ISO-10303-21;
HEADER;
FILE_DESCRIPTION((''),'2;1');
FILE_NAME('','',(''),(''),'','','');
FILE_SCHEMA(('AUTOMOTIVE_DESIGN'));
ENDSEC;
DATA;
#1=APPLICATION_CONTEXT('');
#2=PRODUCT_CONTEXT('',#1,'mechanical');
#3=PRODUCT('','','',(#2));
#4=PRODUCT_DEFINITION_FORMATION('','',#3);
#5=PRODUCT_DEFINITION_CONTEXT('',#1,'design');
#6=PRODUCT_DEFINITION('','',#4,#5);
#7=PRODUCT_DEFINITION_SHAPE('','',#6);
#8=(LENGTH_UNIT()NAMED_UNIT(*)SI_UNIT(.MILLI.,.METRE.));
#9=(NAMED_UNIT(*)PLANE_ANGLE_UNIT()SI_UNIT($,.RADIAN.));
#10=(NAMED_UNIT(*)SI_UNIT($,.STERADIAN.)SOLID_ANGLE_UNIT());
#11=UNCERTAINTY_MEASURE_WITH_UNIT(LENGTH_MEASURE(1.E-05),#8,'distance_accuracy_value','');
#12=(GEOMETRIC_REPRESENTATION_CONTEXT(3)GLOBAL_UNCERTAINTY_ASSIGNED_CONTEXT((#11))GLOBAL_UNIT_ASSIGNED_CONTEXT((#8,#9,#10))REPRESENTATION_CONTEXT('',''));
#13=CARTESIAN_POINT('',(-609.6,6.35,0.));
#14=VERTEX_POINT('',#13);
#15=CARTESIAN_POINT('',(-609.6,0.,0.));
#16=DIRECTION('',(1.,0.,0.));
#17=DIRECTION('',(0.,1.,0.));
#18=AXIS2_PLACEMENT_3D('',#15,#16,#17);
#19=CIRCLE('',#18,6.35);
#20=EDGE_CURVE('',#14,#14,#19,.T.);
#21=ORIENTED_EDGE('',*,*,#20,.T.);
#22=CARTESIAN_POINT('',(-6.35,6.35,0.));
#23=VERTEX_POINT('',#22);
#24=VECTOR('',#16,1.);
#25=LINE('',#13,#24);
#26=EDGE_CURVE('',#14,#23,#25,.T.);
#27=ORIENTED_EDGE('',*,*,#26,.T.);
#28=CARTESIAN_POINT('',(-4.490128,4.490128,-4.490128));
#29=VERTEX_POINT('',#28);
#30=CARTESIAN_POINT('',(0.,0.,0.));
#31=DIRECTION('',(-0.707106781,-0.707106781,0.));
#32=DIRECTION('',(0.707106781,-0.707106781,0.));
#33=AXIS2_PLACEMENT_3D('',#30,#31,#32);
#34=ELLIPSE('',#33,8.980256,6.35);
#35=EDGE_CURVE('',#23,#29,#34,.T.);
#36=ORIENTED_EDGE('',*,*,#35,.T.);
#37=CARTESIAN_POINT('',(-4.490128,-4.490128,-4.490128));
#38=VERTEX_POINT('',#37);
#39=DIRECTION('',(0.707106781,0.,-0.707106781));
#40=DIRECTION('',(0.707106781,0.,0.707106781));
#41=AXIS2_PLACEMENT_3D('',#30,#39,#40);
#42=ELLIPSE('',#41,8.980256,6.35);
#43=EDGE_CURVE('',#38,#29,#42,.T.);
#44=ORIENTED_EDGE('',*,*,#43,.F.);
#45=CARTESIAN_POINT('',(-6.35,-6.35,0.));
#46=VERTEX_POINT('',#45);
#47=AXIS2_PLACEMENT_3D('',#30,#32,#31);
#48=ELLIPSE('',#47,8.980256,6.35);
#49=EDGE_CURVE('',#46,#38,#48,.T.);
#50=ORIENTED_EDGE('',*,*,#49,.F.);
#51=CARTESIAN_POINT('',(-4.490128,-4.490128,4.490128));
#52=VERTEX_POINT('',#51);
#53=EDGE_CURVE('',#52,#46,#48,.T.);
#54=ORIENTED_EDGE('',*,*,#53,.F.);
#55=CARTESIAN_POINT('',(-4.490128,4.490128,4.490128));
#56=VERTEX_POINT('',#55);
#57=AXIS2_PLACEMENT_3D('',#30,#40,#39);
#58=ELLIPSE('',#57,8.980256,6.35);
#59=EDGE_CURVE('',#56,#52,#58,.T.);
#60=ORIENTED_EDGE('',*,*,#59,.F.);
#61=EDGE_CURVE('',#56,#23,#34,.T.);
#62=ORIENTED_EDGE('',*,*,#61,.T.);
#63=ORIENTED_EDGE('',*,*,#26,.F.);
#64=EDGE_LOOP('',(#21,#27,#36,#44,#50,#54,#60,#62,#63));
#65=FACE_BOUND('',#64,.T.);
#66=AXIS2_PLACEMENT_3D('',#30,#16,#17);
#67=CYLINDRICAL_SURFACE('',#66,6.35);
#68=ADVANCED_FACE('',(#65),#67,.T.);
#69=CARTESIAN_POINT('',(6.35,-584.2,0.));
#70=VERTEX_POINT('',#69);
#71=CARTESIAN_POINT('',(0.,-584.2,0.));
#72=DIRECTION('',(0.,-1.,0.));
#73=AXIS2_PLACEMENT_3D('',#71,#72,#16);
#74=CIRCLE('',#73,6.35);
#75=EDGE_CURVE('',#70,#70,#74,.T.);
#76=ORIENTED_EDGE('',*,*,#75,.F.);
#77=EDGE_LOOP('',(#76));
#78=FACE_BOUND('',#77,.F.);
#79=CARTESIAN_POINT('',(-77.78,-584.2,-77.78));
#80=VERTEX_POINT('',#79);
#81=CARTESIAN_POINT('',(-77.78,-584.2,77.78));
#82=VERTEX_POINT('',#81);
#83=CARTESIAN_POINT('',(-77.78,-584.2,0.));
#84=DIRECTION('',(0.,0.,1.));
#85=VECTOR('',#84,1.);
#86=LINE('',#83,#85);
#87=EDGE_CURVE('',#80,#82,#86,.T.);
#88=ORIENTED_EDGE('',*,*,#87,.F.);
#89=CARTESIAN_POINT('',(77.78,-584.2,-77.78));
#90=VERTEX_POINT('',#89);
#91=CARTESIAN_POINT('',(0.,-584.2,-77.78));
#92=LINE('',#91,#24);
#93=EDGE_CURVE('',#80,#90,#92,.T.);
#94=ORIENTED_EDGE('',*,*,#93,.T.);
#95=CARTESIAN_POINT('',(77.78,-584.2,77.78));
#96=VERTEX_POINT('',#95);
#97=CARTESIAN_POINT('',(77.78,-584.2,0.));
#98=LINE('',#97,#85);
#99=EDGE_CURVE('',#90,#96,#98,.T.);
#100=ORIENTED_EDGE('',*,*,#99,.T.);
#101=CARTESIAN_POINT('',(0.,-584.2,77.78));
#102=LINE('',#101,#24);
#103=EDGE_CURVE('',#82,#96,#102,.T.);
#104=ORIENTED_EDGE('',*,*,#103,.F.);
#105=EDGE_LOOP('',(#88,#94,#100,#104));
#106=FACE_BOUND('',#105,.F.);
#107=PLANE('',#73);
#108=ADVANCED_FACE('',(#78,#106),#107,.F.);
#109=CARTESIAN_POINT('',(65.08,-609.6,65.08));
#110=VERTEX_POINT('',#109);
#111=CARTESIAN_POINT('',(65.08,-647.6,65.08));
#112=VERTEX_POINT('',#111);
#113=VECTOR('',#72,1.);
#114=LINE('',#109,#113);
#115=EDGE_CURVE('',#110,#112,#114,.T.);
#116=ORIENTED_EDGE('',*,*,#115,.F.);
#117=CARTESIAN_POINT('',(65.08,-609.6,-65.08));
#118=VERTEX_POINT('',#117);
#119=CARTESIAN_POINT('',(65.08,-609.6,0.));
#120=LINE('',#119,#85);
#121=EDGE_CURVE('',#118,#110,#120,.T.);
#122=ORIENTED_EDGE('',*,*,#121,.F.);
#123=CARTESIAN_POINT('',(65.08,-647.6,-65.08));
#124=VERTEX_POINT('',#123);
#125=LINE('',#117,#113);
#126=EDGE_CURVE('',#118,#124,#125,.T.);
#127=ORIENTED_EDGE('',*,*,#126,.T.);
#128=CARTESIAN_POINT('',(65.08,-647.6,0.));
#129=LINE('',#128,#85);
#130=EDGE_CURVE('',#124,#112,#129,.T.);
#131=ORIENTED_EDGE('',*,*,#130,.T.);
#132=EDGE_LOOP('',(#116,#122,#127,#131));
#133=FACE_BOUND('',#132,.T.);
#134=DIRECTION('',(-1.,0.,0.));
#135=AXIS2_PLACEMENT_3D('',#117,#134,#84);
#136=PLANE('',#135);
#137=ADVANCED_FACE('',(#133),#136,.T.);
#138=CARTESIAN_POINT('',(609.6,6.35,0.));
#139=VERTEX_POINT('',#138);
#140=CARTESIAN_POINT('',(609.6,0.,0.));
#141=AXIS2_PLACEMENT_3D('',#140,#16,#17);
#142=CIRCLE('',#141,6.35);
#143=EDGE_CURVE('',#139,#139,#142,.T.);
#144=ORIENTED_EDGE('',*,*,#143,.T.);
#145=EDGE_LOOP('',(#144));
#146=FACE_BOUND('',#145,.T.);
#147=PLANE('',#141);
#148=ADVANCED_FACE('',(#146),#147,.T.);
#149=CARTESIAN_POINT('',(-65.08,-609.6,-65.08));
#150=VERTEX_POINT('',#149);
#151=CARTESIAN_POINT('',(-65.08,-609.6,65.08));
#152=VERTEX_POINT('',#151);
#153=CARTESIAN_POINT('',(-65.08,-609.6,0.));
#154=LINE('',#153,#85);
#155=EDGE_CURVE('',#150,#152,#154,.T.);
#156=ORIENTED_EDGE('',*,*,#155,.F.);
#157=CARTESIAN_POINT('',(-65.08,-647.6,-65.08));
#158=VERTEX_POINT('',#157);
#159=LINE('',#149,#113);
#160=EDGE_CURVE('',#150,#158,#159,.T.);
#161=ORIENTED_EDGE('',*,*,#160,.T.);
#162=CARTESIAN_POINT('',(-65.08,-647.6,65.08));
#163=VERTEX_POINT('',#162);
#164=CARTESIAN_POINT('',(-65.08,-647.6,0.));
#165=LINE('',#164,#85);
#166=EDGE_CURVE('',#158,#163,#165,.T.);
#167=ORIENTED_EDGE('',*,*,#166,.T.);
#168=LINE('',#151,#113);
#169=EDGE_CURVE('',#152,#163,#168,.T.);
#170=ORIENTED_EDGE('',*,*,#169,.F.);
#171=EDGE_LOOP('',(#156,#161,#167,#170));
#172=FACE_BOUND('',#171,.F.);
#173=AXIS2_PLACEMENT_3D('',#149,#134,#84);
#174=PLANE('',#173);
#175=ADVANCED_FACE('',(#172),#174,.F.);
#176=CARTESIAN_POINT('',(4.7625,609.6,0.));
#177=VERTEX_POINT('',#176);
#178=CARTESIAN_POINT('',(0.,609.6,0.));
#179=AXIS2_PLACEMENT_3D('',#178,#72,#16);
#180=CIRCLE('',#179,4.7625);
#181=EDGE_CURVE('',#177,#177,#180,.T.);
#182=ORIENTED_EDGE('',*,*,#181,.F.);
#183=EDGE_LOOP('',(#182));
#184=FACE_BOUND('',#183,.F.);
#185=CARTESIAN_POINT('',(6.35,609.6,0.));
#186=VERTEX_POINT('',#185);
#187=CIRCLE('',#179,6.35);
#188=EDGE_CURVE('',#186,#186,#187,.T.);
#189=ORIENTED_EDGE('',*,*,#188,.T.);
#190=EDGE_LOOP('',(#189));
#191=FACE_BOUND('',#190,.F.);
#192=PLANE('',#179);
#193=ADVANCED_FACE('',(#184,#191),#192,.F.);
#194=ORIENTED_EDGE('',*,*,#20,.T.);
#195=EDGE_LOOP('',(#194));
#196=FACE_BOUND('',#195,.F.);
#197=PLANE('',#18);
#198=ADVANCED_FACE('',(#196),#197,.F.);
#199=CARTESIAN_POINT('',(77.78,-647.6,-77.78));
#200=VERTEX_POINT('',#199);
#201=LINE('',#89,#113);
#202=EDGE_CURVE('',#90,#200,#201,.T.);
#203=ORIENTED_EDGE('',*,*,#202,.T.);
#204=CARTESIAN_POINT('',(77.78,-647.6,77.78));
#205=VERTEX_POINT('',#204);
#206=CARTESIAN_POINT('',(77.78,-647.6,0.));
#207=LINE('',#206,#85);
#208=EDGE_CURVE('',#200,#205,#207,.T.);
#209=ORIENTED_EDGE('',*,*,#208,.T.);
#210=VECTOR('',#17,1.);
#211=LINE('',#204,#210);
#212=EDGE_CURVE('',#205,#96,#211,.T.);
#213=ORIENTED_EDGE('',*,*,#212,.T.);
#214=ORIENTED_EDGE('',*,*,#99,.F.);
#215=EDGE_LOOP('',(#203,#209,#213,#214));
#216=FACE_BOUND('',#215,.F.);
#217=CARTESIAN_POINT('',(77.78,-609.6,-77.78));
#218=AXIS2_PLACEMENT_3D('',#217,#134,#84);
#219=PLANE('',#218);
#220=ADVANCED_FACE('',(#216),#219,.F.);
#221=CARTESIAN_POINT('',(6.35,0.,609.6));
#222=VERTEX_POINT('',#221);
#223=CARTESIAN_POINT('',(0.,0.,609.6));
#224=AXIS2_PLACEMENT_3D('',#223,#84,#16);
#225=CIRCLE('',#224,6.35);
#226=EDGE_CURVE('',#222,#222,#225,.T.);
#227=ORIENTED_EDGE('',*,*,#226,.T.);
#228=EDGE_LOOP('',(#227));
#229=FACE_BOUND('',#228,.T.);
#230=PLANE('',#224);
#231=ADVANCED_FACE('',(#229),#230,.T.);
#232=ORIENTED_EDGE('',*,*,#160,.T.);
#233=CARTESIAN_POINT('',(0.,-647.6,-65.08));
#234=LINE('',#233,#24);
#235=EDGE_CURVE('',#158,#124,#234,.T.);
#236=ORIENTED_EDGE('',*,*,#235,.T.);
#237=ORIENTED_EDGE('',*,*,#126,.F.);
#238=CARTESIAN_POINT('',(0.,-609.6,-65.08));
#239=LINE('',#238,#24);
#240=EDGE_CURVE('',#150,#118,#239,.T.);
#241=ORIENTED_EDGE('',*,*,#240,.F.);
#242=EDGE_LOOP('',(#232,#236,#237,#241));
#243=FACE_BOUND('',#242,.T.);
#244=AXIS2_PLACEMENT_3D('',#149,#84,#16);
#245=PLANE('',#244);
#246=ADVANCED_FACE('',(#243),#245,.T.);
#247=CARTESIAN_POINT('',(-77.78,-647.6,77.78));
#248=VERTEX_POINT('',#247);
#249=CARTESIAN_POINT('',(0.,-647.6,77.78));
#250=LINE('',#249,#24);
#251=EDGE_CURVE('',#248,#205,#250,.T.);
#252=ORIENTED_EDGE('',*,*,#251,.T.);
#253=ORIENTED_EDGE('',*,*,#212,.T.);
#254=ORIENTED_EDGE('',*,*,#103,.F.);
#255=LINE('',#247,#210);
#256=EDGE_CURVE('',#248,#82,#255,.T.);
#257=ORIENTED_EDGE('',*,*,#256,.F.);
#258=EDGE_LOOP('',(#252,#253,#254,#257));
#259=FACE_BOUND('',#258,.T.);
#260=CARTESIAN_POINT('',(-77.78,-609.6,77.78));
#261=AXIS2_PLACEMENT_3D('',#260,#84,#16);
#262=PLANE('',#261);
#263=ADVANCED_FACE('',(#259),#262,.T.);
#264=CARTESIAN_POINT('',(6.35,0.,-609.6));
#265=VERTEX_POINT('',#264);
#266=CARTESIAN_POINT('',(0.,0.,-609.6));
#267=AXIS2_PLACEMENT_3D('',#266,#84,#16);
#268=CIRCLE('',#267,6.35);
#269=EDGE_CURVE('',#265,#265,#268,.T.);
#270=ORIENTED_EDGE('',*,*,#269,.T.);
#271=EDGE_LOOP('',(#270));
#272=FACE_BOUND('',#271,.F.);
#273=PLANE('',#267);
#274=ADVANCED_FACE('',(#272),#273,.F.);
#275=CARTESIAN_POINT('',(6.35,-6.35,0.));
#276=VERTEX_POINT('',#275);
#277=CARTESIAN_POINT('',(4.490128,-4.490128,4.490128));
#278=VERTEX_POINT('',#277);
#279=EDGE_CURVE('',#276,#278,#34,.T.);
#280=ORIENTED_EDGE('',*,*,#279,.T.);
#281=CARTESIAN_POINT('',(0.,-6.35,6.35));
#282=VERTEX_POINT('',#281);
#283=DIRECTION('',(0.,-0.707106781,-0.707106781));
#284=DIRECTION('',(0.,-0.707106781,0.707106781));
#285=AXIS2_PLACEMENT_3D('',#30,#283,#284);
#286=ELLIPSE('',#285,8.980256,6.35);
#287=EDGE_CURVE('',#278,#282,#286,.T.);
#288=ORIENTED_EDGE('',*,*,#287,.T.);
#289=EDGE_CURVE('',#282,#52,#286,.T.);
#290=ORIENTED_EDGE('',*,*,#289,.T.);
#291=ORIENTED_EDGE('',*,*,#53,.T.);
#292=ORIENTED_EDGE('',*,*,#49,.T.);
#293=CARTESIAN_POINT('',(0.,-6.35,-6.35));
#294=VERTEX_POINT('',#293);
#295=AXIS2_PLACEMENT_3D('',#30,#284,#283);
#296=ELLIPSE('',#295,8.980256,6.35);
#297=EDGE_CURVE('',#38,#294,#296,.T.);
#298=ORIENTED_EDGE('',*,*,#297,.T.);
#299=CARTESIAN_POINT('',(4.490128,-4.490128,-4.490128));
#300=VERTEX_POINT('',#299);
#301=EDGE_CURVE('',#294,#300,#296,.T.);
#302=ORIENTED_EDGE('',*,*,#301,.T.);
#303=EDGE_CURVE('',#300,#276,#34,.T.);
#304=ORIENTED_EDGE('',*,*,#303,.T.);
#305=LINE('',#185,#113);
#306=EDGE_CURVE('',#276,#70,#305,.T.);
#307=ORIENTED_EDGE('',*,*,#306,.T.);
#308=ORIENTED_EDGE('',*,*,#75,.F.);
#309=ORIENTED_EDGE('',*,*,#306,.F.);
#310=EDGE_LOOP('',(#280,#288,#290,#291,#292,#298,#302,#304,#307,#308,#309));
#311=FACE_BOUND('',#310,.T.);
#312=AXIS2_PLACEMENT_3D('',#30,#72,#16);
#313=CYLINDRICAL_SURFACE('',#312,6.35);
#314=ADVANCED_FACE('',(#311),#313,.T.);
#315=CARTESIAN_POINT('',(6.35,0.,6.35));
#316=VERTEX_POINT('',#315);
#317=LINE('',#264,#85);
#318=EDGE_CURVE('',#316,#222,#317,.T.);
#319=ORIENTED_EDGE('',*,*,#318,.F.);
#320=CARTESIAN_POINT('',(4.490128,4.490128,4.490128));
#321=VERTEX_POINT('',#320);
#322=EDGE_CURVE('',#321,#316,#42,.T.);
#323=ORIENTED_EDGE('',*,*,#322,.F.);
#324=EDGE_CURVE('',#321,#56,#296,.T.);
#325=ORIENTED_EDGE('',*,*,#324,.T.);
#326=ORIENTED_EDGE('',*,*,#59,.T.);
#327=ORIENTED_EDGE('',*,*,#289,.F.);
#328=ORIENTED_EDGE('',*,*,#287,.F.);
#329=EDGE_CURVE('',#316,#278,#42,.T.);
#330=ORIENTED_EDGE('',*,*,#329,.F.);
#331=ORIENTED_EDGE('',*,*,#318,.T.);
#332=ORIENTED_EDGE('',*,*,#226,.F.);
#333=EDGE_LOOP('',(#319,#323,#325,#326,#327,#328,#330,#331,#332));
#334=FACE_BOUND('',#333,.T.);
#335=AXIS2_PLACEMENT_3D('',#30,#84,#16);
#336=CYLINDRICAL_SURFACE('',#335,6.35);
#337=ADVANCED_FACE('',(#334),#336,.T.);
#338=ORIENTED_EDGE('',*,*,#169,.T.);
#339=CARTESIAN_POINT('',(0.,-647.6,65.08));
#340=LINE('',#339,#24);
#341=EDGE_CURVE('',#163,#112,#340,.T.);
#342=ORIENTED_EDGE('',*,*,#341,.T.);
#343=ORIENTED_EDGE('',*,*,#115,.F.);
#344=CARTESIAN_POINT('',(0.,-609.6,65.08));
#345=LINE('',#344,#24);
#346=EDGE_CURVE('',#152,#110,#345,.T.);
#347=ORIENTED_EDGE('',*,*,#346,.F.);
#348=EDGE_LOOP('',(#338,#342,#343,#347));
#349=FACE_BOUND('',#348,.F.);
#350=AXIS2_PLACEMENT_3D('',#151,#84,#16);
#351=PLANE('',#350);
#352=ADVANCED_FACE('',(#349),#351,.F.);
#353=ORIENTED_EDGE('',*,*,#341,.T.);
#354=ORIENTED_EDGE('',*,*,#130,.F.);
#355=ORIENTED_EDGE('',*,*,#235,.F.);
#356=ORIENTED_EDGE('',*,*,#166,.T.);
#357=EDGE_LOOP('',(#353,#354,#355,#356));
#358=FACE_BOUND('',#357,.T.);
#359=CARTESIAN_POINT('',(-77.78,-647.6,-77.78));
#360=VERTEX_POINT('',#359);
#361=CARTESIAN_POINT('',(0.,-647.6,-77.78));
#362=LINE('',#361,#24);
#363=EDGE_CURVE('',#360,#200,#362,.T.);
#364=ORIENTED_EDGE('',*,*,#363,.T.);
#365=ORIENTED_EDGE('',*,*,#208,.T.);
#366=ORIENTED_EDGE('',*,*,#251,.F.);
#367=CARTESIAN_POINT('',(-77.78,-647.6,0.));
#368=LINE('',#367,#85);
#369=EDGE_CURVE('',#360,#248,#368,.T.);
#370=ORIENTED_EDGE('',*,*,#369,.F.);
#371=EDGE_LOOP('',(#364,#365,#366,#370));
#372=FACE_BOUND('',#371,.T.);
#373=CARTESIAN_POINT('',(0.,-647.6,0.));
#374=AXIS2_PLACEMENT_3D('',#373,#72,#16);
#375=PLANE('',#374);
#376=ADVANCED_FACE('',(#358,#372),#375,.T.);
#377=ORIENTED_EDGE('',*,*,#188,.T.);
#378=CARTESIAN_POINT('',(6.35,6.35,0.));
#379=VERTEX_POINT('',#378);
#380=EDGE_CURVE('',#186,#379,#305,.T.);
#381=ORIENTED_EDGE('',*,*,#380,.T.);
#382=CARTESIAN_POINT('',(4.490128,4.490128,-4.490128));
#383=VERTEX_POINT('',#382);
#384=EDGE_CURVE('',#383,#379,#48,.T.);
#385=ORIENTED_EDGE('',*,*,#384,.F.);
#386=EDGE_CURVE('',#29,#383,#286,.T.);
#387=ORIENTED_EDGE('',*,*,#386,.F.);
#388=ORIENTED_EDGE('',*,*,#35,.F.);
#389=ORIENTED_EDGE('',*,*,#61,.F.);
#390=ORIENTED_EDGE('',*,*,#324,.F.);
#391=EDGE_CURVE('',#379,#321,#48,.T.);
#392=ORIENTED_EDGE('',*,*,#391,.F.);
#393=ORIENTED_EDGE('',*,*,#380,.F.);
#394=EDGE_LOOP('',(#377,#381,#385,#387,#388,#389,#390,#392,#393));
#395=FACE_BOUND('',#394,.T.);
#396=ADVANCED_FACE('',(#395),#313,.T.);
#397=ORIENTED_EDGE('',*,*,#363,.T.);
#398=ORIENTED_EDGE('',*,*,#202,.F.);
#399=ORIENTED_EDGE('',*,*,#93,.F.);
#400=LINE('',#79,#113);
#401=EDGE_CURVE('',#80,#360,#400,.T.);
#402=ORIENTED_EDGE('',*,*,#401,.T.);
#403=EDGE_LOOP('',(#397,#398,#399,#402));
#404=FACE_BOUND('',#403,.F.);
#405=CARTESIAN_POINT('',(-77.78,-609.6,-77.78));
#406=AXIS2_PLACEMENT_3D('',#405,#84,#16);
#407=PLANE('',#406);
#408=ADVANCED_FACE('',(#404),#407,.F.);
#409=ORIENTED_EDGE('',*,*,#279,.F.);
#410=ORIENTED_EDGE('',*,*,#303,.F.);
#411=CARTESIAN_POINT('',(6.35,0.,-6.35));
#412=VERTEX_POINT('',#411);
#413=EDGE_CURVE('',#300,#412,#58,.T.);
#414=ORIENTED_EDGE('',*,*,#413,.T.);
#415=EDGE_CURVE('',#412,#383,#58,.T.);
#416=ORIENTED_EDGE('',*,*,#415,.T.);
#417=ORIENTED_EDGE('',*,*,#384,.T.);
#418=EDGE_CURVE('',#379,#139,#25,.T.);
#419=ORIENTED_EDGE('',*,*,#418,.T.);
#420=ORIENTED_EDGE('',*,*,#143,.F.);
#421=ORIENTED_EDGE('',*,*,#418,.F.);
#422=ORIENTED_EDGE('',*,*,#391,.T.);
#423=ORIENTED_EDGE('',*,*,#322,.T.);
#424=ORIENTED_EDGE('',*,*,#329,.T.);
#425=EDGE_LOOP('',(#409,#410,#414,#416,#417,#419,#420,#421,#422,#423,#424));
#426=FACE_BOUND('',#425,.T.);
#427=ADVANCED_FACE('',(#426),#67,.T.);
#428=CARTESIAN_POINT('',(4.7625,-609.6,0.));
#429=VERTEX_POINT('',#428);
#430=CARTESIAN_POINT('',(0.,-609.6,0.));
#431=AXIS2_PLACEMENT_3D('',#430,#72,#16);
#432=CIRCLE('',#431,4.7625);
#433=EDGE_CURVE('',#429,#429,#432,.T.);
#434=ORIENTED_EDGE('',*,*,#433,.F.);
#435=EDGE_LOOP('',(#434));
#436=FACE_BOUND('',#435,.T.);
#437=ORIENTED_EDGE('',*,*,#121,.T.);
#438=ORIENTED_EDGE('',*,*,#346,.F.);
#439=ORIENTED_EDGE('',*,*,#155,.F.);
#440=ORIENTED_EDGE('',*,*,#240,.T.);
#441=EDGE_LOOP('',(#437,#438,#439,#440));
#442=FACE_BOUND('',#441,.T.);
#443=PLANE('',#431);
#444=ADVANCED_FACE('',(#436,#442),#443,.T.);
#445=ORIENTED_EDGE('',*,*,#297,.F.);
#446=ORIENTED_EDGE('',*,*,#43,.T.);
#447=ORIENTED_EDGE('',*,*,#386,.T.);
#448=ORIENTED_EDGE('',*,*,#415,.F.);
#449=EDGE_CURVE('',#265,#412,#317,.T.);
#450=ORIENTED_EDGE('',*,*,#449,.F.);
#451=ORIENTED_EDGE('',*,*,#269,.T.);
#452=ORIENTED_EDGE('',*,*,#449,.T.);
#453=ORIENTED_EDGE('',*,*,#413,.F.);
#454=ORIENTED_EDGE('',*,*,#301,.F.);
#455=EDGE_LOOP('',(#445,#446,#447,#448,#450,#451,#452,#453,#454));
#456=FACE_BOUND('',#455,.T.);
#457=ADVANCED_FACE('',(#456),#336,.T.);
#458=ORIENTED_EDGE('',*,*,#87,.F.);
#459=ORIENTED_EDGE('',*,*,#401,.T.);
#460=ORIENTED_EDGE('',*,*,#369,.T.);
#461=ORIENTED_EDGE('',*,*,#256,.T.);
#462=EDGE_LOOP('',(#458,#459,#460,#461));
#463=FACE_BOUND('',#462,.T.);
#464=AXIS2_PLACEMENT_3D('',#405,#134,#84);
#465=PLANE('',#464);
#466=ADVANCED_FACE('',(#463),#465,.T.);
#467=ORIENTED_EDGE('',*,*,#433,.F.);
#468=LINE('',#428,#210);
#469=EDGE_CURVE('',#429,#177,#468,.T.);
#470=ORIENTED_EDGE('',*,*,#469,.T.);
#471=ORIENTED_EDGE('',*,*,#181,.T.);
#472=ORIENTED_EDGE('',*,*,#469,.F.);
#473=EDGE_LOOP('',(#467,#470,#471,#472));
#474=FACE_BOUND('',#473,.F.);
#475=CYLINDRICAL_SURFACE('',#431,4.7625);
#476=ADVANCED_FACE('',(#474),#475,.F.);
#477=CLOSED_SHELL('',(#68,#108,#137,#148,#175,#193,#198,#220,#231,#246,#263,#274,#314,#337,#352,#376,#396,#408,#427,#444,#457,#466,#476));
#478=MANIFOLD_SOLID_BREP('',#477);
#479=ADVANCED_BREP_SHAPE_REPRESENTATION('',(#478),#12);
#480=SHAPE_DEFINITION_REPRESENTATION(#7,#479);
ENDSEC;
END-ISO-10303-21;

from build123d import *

# Parameters (mm, degrees)
F2_R      = 6.35
F4_DEPTH  = 609.6
F3_R      = 6.35
F5_DEPTH  = 609.6
F1_R      = 6.35
F6_DEPTH  = 609.6
F7_W      = 155.56
F7_H      = 155.56
F8_DEPTH  = 25.4
F9_W      = 155.56
F9_H      = 155.56
F9_W_2    = 130.16
F9_H_2    = 130.16
F11_DEPTH = 38
F12_R     = 4.7625
F13_DEPTH = 1219.2


with BuildPart() as f4:
    # F2 (on Front) → F4 (new body, symmetric)
    with BuildSketch(Plane.XZ):
        Circle(F2_R)
    extrude(amount=F4_DEPTH, both=True)

    # F3 (on Right) → F5 (join, symmetric)
    with BuildSketch(Plane.YZ):
        Circle(F3_R)
    extrude(amount=F5_DEPTH, both=True)

    # F1 (on Top) → F6 (join, symmetric)
    with BuildSketch(Plane.XY):
        Circle(F1_R)
    extrude(amount=F6_DEPTH, both=True)

    # F7 (on face) → F8 (join)
    with BuildSketch(Plane.XZ.offset(609.6)):
        Rectangle(F7_W, F7_H)
    extrude(amount=-F8_DEPTH)

    # F9 (on face) → F11 (join)
    with BuildSketch(Plane.XZ.offset(609.6)):
        Rectangle(F9_W, F9_H)
        Rectangle(F9_W_2, F9_H_2, mode=Mode.SUBTRACT)
    extrude(amount=F11_DEPTH)

    # F12 (on face) → F13 (cut)
    with BuildSketch(Plane.XZ.offset(609.6)):
        Circle(F12_R)
    extrude(amount=-F13_DEPTH, mode=Mode.SUBTRACT)


solid = f4.part
